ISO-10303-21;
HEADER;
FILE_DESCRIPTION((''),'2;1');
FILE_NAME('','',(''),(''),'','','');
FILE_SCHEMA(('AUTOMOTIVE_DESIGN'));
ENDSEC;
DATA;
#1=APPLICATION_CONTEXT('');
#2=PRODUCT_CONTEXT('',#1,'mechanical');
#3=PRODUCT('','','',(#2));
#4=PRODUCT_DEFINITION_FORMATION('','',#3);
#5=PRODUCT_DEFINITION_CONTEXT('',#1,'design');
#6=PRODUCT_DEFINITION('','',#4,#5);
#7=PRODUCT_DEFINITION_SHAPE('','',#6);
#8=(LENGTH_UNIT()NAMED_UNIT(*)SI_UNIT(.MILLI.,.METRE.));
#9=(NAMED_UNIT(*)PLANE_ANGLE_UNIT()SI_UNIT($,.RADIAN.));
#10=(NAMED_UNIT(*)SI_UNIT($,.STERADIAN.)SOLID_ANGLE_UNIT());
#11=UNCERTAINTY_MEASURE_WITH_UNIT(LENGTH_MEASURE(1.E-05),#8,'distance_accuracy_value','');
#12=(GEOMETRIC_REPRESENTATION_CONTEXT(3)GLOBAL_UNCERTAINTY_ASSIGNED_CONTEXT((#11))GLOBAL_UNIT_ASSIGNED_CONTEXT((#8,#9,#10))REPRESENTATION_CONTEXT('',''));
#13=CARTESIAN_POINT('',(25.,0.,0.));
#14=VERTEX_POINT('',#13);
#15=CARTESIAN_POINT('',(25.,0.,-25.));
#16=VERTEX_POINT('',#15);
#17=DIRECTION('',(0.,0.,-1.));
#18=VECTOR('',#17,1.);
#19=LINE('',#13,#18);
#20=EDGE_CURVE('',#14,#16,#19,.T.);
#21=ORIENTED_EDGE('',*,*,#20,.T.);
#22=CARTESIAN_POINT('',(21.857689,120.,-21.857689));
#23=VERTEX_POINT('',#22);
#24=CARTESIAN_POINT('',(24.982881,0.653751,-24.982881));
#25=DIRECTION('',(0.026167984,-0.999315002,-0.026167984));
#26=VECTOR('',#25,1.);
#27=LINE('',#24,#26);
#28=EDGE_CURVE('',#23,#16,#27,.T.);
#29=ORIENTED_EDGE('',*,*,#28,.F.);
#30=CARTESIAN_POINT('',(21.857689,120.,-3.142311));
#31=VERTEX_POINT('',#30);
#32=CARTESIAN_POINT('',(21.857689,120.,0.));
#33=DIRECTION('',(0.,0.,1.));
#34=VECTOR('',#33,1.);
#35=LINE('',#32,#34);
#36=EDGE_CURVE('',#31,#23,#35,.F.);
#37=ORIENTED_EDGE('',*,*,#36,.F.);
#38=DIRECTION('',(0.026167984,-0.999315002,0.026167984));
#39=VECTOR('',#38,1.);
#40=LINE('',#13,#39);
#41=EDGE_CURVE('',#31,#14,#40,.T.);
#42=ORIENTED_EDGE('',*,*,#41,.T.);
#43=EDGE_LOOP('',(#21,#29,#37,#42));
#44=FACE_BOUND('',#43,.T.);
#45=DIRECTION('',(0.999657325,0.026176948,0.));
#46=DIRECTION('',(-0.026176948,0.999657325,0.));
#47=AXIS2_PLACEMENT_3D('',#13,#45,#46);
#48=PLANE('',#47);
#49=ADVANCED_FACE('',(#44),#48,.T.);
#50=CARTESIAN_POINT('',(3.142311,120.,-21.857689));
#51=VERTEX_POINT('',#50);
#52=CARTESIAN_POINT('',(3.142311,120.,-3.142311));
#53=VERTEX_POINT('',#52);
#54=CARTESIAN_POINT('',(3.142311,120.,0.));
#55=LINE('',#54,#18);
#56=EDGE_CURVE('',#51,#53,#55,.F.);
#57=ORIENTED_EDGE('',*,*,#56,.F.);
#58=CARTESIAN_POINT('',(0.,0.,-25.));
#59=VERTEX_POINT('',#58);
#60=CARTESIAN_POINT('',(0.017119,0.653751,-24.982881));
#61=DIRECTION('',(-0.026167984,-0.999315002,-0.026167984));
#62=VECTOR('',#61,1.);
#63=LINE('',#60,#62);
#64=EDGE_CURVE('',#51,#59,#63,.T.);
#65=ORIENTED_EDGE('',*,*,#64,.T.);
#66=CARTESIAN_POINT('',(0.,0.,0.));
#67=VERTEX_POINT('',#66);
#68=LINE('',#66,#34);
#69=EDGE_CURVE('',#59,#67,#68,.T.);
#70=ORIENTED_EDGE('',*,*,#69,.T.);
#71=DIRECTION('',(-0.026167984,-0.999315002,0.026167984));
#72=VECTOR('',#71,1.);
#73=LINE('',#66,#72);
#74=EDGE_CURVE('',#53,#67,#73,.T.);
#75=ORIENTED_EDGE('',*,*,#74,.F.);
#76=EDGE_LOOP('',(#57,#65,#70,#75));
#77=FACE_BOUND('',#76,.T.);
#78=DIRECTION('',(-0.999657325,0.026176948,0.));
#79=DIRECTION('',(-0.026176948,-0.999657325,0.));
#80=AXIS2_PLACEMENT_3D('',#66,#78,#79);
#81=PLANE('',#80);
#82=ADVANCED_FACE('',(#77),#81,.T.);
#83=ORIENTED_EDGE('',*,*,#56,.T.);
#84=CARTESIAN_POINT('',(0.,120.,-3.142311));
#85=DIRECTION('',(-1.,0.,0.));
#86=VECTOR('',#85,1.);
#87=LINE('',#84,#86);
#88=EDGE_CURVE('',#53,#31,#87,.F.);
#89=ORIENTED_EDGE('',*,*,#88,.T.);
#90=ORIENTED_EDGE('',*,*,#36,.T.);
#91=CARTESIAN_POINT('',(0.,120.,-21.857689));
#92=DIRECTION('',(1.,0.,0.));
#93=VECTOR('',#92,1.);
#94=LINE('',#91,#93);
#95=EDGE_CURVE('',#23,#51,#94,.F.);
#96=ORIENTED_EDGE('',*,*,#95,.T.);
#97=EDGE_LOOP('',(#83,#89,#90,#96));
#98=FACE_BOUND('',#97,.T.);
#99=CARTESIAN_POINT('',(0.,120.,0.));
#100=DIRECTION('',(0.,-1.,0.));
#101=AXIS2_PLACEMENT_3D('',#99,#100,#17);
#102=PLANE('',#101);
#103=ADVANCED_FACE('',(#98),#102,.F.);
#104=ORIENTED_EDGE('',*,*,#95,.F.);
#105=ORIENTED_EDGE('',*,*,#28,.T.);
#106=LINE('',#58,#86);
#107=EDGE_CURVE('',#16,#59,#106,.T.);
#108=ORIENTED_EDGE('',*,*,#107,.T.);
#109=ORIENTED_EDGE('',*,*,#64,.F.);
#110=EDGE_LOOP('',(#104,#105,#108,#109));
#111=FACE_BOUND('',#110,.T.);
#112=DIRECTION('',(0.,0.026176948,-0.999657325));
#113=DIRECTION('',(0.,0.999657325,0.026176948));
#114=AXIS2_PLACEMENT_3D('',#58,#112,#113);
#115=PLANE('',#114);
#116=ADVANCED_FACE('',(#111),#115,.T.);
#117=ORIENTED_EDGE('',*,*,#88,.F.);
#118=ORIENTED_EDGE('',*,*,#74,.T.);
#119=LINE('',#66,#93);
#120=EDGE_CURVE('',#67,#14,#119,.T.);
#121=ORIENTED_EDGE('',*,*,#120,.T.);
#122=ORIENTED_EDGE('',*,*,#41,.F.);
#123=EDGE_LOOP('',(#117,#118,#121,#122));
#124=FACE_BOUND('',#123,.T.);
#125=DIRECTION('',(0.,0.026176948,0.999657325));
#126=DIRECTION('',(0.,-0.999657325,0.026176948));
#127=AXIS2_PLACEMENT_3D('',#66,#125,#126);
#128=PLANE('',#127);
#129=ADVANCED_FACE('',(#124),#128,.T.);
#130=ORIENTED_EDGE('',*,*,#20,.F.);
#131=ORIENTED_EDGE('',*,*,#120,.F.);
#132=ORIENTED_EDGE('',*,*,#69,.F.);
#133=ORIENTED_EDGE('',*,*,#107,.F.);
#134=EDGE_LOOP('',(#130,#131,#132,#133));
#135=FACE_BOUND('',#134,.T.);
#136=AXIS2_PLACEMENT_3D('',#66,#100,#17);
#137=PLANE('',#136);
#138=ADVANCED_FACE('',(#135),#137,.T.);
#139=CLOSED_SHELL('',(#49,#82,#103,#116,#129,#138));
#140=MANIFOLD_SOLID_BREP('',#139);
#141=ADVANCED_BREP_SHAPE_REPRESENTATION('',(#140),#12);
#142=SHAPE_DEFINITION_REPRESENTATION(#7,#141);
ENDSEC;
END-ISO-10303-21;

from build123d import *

# Parameters (mm, degrees)
SKETCH1_W           = 25
SKETCH1_H           = 25
BOSS_EXTRUDE1_DEPTH = 120
BOSS_EXTRUDE1_TAPER = 1.5


with BuildPart() as part:
    # Sketch1 → Boss-Extrude1 (new body)
    with BuildSketch(Plane(origin=(0, 0, 0), x_dir=(1, 0, 0), z_dir=(0, 1, 0))):
        with Locations((12.5, 12.5)):
            Rectangle(SKETCH1_W, SKETCH1_H)
    extrude(amount=BOSS_EXTRUDE1_DEPTH, taper=BOSS_EXTRUDE1_TAPER)


solid = part.part
